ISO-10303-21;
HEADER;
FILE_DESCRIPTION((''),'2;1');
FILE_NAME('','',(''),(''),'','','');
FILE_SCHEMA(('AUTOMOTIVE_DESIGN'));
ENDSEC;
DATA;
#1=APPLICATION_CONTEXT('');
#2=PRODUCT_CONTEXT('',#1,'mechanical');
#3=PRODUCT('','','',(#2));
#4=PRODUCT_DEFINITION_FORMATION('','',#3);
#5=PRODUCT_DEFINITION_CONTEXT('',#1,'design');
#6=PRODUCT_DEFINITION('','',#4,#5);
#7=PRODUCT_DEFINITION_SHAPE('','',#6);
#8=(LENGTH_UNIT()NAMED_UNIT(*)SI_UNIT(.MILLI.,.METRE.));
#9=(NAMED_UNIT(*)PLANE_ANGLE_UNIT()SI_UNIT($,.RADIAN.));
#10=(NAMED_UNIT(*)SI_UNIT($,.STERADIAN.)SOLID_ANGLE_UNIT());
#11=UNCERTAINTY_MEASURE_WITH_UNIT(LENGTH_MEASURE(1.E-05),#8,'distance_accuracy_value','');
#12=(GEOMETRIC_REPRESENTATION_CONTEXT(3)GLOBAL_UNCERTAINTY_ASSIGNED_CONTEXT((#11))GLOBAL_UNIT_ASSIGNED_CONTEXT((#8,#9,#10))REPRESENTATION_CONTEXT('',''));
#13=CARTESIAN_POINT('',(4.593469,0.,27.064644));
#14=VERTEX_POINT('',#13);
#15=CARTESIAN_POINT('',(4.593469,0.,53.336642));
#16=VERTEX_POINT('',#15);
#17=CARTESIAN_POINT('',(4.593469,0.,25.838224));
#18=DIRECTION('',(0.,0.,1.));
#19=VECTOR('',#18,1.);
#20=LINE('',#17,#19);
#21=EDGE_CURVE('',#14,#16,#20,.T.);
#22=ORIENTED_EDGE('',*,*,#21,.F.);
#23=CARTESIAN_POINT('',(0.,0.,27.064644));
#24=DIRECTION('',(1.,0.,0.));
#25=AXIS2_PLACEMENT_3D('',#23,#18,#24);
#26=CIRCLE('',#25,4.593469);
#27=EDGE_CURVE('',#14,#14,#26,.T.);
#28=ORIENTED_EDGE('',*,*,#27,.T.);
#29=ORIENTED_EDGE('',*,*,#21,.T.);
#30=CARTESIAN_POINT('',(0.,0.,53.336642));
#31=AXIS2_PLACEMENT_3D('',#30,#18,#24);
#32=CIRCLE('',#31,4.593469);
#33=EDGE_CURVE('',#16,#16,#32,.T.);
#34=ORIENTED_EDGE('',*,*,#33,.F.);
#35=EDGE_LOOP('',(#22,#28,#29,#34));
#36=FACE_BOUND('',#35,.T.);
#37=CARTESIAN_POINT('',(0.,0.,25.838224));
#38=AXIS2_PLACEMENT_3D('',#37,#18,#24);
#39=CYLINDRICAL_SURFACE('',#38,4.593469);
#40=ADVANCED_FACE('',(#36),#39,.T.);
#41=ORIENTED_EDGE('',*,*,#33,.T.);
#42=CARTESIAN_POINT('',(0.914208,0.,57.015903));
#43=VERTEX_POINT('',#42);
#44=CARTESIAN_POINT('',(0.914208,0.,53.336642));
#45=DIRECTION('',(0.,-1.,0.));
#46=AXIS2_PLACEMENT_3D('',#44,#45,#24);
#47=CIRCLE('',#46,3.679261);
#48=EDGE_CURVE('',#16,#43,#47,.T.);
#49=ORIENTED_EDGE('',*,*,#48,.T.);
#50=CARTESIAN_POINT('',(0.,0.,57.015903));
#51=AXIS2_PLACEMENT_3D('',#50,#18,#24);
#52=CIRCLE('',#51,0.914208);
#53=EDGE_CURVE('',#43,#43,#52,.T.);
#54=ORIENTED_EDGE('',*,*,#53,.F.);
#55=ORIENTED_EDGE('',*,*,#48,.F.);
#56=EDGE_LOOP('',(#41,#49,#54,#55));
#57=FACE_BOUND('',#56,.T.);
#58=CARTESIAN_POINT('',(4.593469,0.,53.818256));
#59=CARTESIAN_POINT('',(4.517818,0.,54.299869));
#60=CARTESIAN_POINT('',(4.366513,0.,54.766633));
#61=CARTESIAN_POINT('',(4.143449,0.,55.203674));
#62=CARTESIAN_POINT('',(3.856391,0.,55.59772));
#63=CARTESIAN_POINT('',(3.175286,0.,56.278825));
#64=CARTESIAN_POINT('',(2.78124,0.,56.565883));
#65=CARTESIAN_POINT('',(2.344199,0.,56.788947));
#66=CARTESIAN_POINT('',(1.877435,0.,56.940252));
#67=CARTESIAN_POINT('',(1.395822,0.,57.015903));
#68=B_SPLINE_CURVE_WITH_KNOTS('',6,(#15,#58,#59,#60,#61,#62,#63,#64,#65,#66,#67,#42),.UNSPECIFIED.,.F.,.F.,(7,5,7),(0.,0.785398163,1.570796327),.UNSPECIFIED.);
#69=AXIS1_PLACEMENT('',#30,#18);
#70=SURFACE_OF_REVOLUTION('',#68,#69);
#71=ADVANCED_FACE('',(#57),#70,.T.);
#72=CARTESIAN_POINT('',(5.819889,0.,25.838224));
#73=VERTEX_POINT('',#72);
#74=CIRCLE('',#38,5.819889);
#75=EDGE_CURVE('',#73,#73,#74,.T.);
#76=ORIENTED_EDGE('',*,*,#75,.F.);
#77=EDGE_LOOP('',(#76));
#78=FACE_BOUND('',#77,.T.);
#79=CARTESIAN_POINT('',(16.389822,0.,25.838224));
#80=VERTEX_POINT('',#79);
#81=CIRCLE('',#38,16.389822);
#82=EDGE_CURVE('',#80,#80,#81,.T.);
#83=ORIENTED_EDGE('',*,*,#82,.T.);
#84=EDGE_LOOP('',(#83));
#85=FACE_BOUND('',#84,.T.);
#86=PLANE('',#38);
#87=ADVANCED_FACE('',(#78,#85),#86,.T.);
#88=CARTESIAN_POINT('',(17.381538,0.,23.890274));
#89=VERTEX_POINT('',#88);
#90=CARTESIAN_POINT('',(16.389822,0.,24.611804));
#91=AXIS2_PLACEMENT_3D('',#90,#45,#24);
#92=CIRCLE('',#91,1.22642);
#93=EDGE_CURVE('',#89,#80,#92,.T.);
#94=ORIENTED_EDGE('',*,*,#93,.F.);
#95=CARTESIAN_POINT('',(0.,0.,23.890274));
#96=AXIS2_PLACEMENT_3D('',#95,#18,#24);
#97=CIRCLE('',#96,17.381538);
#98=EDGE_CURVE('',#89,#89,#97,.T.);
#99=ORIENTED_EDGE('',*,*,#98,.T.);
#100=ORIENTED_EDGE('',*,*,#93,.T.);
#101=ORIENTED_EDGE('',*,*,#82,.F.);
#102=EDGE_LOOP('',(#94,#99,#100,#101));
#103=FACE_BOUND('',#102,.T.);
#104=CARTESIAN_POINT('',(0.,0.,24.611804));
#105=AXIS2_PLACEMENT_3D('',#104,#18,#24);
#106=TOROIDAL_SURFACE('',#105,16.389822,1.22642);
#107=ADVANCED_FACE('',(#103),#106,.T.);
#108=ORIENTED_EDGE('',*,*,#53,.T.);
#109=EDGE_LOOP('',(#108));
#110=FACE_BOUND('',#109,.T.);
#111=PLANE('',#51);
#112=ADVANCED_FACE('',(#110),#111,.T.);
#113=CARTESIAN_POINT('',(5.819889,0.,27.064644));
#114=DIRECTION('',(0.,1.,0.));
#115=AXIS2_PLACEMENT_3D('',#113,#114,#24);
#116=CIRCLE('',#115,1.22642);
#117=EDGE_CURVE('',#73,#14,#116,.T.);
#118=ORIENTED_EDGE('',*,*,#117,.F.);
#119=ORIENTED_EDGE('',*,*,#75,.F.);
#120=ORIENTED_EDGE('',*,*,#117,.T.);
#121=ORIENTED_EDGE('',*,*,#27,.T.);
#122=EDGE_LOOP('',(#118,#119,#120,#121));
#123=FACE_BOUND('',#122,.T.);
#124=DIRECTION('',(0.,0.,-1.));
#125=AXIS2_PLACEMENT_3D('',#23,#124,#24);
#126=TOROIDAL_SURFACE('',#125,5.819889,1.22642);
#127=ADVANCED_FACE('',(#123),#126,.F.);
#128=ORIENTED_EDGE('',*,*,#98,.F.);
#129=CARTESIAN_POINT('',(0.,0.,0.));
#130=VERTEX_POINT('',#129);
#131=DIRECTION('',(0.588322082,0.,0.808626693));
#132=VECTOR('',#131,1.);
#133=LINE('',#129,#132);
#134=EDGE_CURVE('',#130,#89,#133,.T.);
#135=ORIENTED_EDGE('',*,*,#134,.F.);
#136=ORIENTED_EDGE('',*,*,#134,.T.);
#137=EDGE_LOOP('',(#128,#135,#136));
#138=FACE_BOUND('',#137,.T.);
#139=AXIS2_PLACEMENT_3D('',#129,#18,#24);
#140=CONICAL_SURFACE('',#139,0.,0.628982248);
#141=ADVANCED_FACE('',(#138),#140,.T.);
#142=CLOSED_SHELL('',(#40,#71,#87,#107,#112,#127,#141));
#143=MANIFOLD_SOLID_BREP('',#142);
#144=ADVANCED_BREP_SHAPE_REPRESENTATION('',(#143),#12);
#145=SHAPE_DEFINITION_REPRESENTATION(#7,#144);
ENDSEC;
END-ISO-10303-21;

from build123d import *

# Parameters (mm, degrees)
F2_R = 1.22642
F3_R = 3.679261


with BuildPart() as f1:
    # F0 (on Front) → F1 (revolve)
    with BuildSketch(Plane.XZ):
        Polygon((0, 57.015903), (0, 0), (18.798783, 25.838224), (4.593469, 25.838224), (4.593469, 57.015903), align=None)
    revolve(axis=Axis((0, 0, 28.507952), (0, 0, 1)))

    # F2
    f2_edges = [f1.edges().sort_by_distance(p)[0] for p in [
        (-18.798783, 0, 25.838224),
        (-4.593469, 0, 25.838224),
    ]]
    fillet(f2_edges, radius=F2_R)

    # F3
    f3_edges = [f1.edges().sort_by_distance(p)[0] for p in [
        (-4.593469, 0, 57.015903),
    ]]
    fillet(f3_edges, radius=F3_R)


solid = f1.part
